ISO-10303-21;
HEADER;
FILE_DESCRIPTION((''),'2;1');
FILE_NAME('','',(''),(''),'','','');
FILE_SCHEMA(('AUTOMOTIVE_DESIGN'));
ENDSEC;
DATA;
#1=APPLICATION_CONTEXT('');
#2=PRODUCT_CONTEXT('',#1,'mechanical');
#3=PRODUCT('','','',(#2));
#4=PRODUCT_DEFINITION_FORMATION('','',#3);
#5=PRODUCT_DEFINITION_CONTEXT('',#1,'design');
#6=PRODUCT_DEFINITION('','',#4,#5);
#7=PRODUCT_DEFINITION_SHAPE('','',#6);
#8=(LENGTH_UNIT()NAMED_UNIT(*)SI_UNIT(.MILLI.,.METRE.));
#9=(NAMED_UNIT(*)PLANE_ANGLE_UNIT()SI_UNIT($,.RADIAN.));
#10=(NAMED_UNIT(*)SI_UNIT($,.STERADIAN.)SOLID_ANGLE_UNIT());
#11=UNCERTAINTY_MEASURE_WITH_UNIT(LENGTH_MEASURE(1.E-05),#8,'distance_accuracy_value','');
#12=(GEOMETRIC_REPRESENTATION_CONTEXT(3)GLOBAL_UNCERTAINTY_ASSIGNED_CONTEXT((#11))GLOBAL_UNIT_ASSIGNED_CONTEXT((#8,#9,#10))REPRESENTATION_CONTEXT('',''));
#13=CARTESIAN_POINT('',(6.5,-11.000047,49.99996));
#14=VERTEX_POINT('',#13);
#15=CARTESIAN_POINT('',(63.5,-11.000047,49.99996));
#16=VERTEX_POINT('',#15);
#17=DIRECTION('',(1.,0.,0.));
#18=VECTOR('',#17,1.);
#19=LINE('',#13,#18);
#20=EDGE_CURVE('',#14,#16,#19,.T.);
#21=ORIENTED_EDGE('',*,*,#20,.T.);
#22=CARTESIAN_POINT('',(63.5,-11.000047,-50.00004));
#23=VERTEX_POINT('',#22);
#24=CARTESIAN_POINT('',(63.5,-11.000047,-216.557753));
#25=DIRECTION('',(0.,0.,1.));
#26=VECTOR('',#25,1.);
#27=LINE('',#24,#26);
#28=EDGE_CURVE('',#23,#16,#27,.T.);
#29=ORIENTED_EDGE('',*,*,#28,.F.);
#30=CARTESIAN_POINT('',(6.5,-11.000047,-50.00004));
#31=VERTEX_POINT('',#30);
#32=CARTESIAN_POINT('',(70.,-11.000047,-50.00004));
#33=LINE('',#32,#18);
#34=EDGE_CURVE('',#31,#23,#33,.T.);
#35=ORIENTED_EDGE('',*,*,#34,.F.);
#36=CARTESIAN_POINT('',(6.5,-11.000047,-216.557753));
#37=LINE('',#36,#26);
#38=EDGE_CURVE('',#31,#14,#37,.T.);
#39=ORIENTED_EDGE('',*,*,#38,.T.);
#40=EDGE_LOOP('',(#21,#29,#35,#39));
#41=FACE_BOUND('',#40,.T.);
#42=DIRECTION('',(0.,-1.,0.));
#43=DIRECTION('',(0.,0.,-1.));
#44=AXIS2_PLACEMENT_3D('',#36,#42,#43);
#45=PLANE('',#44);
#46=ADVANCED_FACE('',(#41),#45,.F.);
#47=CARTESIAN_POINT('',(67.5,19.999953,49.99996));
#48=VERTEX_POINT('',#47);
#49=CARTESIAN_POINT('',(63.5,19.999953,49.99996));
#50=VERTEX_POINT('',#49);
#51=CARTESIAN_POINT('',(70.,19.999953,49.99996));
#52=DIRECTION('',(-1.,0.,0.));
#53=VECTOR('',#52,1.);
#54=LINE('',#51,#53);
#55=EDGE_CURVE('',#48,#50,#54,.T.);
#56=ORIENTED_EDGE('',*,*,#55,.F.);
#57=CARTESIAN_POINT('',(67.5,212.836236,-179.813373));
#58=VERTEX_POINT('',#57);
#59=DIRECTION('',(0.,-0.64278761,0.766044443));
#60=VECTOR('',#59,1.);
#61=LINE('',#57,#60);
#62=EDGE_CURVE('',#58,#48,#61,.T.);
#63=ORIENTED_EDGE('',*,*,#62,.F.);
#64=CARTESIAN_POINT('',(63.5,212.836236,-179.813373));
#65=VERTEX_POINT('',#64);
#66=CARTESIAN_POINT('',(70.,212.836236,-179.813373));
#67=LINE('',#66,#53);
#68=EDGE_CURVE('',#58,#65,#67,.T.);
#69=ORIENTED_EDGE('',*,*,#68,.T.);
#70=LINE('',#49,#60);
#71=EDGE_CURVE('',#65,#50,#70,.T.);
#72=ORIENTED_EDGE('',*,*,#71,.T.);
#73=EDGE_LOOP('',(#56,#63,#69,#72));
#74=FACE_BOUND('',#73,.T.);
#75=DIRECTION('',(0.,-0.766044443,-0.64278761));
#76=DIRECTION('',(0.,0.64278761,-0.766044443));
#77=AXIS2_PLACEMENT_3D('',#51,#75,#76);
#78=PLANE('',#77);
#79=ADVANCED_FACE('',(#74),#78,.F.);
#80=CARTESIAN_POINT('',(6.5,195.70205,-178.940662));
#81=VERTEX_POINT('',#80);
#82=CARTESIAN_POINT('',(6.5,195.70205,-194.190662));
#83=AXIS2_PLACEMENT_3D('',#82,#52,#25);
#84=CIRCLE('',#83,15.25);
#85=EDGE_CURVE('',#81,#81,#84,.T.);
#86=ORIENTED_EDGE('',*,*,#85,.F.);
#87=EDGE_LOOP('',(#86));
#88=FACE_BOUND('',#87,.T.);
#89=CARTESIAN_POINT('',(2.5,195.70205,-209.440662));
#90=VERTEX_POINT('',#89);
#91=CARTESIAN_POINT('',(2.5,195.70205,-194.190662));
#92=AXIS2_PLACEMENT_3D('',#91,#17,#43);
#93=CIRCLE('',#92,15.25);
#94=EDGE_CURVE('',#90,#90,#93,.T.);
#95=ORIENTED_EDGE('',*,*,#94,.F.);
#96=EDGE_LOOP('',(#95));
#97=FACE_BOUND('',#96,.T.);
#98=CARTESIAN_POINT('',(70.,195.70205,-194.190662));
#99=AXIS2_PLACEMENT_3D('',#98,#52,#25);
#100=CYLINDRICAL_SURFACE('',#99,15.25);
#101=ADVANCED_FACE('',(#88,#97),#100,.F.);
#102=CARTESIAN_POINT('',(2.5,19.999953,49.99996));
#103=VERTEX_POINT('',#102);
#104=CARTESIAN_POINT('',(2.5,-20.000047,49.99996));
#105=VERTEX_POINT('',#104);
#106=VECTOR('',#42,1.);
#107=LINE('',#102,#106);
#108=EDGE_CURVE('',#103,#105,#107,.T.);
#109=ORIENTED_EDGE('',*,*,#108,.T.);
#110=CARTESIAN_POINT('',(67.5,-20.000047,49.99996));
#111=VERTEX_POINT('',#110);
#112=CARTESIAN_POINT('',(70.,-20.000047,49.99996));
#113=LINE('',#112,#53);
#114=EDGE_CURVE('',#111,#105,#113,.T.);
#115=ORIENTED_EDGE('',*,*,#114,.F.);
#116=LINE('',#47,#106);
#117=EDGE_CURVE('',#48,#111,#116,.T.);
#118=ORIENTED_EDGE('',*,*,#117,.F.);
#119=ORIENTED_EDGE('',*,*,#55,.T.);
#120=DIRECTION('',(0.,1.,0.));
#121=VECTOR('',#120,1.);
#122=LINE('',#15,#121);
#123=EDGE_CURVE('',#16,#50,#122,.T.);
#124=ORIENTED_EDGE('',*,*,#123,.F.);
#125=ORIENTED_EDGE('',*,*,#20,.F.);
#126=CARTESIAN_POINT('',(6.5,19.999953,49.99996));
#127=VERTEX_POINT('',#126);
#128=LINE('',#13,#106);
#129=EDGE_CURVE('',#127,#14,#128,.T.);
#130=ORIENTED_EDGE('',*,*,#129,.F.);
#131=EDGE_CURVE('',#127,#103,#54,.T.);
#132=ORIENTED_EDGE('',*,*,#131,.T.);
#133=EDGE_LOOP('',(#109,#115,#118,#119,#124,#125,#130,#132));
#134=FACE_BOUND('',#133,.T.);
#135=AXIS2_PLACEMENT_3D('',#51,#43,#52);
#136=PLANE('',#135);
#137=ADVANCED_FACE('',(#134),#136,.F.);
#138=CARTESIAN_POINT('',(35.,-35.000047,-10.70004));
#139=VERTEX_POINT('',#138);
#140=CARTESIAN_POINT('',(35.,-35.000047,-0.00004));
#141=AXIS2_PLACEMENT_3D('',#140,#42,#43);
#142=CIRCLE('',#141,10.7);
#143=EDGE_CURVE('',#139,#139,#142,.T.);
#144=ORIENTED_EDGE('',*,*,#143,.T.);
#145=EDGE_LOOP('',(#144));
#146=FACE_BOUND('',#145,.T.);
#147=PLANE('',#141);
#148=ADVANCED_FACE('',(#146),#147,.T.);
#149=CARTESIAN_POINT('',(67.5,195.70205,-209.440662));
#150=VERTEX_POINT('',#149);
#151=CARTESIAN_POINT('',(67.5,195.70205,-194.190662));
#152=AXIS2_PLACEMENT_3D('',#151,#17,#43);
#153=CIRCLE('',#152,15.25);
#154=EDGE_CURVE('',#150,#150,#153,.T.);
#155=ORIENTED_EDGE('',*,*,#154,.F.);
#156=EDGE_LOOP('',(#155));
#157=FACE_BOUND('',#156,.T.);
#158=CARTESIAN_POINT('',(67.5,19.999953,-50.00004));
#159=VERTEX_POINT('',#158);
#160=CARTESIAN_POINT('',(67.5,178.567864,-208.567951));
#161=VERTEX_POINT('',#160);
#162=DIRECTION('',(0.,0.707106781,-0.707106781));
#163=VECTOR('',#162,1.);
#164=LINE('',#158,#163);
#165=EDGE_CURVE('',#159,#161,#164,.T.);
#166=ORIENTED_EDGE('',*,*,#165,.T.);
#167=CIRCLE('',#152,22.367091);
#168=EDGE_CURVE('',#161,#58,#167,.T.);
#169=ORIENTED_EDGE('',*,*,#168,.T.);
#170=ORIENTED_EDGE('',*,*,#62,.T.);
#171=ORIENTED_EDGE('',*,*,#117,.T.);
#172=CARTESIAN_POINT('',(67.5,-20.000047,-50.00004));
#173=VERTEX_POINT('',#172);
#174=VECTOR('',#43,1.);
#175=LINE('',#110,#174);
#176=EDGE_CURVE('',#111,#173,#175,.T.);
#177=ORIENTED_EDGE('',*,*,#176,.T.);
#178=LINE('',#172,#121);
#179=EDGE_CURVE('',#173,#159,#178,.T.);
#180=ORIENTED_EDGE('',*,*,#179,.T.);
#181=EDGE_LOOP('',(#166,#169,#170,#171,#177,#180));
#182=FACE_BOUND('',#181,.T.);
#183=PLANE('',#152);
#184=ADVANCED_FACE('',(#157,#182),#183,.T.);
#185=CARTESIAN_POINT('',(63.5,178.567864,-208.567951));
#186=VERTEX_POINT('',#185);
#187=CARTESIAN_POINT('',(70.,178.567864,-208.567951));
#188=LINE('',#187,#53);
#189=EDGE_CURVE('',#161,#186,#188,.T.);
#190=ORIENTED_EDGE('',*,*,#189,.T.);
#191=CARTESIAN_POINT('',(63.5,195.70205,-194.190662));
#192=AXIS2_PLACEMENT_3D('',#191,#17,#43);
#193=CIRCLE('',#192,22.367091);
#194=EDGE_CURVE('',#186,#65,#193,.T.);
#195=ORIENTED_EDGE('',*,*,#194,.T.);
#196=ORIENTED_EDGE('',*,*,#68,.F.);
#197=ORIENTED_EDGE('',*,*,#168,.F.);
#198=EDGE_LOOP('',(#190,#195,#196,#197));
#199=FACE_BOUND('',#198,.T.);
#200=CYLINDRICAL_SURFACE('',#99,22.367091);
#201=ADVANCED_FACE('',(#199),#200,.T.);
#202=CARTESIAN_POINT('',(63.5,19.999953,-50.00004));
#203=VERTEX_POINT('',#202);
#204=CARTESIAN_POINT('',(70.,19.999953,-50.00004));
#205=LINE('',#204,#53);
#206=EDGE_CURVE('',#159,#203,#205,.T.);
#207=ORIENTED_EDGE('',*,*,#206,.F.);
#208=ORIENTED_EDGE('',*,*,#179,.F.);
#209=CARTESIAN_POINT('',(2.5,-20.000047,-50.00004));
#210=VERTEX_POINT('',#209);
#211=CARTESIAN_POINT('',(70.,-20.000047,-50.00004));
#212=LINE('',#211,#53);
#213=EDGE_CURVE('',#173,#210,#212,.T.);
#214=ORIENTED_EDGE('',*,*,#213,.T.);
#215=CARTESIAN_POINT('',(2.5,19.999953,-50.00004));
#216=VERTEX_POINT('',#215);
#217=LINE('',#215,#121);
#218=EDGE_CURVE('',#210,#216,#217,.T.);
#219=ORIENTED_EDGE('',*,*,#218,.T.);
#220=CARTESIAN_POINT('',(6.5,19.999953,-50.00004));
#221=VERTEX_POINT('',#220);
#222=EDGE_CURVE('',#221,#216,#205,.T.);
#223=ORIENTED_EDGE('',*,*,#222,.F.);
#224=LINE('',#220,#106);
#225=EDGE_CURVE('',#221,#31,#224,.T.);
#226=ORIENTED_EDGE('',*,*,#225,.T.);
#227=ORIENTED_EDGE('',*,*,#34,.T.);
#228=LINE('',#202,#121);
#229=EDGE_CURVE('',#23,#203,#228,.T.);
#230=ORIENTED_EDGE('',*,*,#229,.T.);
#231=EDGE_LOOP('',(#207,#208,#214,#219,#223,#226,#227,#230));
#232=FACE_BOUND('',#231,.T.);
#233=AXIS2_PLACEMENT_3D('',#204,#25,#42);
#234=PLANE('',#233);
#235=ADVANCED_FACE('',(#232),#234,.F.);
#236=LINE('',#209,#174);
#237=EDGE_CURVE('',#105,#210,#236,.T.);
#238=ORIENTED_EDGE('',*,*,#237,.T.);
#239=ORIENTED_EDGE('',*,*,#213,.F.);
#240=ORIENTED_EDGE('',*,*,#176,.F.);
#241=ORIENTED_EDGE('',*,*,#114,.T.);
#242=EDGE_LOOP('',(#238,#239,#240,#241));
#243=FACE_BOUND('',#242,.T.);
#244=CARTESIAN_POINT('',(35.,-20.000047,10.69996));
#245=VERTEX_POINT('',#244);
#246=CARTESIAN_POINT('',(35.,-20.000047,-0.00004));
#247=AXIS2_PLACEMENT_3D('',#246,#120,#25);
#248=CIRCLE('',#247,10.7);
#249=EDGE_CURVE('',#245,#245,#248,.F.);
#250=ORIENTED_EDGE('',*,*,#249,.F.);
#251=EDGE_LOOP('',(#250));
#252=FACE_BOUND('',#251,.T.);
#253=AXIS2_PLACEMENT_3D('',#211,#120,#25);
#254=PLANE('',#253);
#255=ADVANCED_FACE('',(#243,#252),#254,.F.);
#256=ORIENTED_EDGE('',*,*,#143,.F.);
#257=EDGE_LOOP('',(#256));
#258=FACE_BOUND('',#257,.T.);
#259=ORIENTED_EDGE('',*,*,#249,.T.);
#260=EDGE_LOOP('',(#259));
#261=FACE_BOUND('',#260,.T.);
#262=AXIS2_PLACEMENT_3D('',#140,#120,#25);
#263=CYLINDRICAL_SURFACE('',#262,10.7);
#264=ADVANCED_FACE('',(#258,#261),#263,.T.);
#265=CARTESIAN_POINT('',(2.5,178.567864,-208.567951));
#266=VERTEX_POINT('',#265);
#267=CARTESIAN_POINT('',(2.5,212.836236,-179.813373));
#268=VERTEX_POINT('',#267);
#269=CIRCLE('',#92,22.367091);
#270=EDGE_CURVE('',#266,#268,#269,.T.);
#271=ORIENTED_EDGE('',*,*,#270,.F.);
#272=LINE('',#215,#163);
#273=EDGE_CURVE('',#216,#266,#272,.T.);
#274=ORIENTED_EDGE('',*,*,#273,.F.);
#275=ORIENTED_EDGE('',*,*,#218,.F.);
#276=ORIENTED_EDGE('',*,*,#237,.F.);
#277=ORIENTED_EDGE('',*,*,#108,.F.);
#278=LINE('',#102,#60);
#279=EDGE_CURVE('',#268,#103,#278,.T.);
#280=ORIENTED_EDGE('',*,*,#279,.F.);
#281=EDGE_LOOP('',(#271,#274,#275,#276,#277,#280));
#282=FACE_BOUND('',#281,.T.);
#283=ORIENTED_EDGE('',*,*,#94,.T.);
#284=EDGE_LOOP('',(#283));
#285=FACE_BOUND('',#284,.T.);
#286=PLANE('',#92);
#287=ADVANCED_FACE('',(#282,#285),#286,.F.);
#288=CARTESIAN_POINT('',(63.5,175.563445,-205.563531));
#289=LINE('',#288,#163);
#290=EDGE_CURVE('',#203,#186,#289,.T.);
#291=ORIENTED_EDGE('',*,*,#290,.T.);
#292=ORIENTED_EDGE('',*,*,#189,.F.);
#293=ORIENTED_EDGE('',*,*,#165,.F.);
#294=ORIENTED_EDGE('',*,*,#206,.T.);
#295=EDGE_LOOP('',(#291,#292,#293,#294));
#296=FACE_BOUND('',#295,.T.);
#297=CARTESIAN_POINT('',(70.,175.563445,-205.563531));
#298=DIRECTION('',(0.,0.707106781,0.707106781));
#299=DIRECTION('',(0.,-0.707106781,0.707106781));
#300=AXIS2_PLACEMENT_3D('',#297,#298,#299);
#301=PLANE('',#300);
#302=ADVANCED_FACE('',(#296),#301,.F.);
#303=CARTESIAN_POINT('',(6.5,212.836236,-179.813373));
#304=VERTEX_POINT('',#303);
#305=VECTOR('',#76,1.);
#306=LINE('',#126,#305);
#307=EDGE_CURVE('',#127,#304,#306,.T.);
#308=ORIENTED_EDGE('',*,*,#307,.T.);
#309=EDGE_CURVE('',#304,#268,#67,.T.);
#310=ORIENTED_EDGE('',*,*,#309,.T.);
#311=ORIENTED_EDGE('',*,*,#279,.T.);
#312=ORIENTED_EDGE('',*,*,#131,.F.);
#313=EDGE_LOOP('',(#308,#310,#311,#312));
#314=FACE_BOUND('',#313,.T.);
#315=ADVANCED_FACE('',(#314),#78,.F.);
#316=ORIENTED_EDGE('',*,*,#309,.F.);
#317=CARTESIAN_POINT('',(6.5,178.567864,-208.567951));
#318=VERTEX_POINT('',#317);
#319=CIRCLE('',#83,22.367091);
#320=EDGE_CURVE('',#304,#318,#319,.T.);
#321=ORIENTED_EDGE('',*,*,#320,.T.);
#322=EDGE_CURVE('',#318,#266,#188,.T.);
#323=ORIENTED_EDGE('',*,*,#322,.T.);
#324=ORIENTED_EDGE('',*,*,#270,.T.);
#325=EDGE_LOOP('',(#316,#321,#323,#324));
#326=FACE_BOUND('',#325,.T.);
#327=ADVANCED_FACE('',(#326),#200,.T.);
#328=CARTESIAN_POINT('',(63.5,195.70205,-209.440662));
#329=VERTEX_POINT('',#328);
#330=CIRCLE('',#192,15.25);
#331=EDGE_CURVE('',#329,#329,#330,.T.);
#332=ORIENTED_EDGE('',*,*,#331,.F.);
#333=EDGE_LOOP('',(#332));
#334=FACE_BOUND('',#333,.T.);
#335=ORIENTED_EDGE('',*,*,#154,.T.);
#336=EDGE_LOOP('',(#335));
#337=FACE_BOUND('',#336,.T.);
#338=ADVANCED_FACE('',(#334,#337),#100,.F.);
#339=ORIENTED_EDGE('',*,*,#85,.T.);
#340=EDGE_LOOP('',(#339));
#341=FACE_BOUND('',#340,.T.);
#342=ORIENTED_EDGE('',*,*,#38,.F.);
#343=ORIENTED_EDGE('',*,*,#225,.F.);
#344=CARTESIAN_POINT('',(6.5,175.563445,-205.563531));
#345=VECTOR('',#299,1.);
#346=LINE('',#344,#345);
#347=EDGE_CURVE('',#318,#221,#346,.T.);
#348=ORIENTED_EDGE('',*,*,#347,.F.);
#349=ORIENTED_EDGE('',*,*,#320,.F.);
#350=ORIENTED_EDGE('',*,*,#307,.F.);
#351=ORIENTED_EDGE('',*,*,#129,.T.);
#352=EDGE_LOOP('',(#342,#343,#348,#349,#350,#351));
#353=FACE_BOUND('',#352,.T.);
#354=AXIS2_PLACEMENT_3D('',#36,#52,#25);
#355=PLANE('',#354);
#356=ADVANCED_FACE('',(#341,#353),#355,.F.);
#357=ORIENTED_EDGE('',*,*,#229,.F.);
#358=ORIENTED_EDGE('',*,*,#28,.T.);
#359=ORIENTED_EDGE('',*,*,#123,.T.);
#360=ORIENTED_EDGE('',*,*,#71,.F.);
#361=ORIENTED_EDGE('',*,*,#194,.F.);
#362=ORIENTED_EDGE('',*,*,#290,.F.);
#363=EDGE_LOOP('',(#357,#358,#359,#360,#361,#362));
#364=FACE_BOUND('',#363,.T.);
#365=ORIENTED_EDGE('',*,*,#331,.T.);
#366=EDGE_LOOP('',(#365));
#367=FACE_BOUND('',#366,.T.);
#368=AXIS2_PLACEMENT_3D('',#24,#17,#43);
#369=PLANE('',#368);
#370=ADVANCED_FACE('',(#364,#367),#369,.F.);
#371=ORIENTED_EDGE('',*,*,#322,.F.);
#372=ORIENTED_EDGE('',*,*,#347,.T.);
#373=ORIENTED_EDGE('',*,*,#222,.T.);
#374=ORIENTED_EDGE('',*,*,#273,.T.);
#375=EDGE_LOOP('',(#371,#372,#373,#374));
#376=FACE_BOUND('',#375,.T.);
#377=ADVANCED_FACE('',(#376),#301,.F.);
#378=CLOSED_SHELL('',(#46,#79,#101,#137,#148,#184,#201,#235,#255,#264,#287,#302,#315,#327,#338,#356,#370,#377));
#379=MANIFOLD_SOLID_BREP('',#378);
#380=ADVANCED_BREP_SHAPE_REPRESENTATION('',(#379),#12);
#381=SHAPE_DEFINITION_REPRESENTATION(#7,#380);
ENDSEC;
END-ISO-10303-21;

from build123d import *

# Parameters (mm, degrees)
CROQUIS1_R              = 15.25
SALIENTE_EXTRUIR2_DEPTH = 70
CROQUIS3_W              = 57
CROQUIS3_H              = 229.06918818
CORTAR_EXTRUIR1_DEPTH   = 352.435861424
CROQUIS5_R              = 10.7
SALIENTE_EXTRUIR3_DEPTH = 15
CROQUIS1_2_R            = 15.25
CORTAR_EXTRUIR2_DEPTH   = 2.5
CORTAR_EXTRUIR3_START   = -2.5
CROQUIS7_R              = 15.25
CORTAR_EXTRUIR3_DEPTH   = 2.5


with BuildPart() as part:
    # Croquis1 → Saliente-Extruir2 (new body)
    with BuildSketch(Plane(origin=(0, 0, 0), x_dir=(0, 0, -1), z_dir=(1, 0, 0))):
        with BuildLine():
            Line((50.000039636, 19.999952763), (205.563531497, 175.563444624))
            Line((205.563531497, 175.563444624), (208.567950725, 178.567863852))
            ThreePointArc((208.567950725, 178.567863852), (211.324847557, 210.079338837), (179.813372572, 212.836235669))
            Line((179.813372572, 212.836235669), (-49.999960364, 19.999952763))
            Line((-49.999960364, 19.999952763), (-49.999960364, -20.000047237))
            Line((-49.999960364, -20.000047237), (50.000039636, -20.000047237))
            Line((50.000039636, -20.000047237), (50.000039636, 19.999952763))
        make_face()
        with Locations((194.190661648, 195.702049761)):
            Circle(CROQUIS1_R, mode=Mode.SUBTRACT)
    extrude(amount=SALIENTE_EXTRUIR2_DEPTH)

    # Croquis3 → Cortar-Extruir1 (cut, through all)
    with BuildSketch(Plane.XY.offset(49.999960364)):
        with Locations((35, 103.534546853)):
            Rectangle(CROQUIS3_W, CROQUIS3_H)
    extrude(amount=-CORTAR_EXTRUIR1_DEPTH, mode=Mode.SUBTRACT)

    # Croquis5 → Saliente-Extruir3 (add)
    with BuildSketch(Plane.XZ.offset(20.000047237)):
        with Locations((35, -3.9636e-05)):
            Circle(CROQUIS5_R)
    extrude(amount=SALIENTE_EXTRUIR3_DEPTH)

    # Croquis1<2> → Cortar-Extruir2 (cut)
    with BuildSketch(Plane(origin=(0, 0, 0), x_dir=(0, 0, -1), z_dir=(1, 0, 0))):
        with BuildLine():
            Line((50.000039636, 19.999952763), (205.563531497, 175.563444624))
            Line((205.563531497, 175.563444624), (208.567950725, 178.567863852))
            ThreePointArc((208.567950725, 178.567863852), (211.324847557, 210.079338837), (179.813372572, 212.836235669))
            Line((179.813372572, 212.836235669), (-49.999960364, 19.999952763))
            Line((-49.999960364, 19.999952763), (-49.999960364, -20.000047237))
            Line((-49.999960364, -20.000047237), (50.000039636, -20.000047237))
            Line((50.000039636, -20.000047237), (50.000039636, 19.999952763))
        make_face()
        with Locations((194.190661648, 195.702049761)):
            Circle(CROQUIS1_2_R, mode=Mode.SUBTRACT)
    extrude(amount=CORTAR_EXTRUIR2_DEPTH, mode=Mode.SUBTRACT)

    # Croquis7 → Cortar-Extruir3 (cut)
    with BuildSketch(Plane(origin=(70, 0, 0), x_dir=(0, 0, -1), z_dir=(1, 0, 0)).offset(CORTAR_EXTRUIR3_START)):
        with BuildLine():
            Line((179.813372572, 212.836235669), (-49.999960364, 19.999952763))
            Line((-49.999960364, 19.999952763), (-49.999960364, -20.000047237))
            Line((-49.999960364, -20.000047237), (50.000039636, -20.000047237))
            Line((50.000039636, -20.000047237), (50.000039636, 19.999952763))
            Line((50.000039636, 19.999952763), (208.567950725, 178.567863852))
            ThreePointArc((208.567950725, 178.567863852), (211.324847557, 210.079338837), (179.813372572, 212.836235669))
        make_face()
        with Locations((194.190661648, 195.702049761)):
            Circle(CROQUIS7_R, mode=Mode.SUBTRACT)
    extrude(amount=CORTAR_EXTRUIR3_DEPTH, mode=Mode.SUBTRACT)


solid = part.part
